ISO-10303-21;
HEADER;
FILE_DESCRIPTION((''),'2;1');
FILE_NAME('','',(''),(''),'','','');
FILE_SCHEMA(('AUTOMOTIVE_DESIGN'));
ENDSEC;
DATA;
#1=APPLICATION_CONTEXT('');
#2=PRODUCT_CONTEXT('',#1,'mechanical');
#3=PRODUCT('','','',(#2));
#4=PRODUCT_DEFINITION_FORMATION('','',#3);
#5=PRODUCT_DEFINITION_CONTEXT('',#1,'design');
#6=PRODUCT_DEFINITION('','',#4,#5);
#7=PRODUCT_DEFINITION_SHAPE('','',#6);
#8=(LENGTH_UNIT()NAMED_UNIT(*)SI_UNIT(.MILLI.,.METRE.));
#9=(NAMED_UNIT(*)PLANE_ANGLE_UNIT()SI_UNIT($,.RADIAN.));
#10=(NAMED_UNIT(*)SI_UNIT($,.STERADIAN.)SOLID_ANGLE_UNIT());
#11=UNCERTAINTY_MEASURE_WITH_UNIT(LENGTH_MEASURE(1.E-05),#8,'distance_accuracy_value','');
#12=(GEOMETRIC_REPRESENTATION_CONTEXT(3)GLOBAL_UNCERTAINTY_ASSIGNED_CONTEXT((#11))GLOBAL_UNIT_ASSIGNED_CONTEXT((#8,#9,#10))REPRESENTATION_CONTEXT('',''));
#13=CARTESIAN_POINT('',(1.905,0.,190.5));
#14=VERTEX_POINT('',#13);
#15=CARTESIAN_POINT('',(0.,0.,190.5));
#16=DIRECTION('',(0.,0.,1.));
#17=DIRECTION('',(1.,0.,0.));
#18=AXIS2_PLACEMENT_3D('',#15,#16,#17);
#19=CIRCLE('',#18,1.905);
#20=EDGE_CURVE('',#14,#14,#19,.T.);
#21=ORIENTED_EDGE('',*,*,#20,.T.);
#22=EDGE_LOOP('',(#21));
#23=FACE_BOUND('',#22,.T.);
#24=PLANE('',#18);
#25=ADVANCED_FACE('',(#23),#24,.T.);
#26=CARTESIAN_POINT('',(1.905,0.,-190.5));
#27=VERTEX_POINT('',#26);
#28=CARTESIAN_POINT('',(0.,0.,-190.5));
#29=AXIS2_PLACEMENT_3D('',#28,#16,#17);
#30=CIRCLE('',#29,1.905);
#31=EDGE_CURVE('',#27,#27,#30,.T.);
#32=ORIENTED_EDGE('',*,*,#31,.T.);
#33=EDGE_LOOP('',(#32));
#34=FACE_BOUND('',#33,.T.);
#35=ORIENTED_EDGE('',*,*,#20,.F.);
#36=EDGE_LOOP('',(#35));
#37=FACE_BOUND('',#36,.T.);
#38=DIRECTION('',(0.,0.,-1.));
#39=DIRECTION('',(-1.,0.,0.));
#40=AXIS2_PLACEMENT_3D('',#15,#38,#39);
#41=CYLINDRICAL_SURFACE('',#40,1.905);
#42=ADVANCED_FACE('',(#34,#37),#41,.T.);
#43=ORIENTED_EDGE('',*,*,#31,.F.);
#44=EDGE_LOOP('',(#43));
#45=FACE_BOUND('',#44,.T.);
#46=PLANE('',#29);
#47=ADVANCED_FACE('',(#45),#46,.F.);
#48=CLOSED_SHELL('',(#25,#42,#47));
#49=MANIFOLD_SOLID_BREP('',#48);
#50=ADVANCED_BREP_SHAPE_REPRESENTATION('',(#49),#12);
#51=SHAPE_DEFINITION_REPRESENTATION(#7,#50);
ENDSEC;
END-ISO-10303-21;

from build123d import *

# Parameters (mm, degrees)
SKETCH3_R                = 1.905
BOSS_EXTRUDE1_DEPTH      = 190.5
BOSS_EXTRUDE1_DEPTH_BACK = 190.5


with BuildPart() as part:
    # Sketch3 → Boss-Extrude1 (new body, two sides)
    with BuildSketch(Plane.XY) as boss_extrude1_sk:
        Circle(SKETCH3_R)
    extrude(amount=BOSS_EXTRUDE1_DEPTH)
    extrude(boss_extrude1_sk.sketch, amount=-BOSS_EXTRUDE1_DEPTH_BACK)


solid = part.part
